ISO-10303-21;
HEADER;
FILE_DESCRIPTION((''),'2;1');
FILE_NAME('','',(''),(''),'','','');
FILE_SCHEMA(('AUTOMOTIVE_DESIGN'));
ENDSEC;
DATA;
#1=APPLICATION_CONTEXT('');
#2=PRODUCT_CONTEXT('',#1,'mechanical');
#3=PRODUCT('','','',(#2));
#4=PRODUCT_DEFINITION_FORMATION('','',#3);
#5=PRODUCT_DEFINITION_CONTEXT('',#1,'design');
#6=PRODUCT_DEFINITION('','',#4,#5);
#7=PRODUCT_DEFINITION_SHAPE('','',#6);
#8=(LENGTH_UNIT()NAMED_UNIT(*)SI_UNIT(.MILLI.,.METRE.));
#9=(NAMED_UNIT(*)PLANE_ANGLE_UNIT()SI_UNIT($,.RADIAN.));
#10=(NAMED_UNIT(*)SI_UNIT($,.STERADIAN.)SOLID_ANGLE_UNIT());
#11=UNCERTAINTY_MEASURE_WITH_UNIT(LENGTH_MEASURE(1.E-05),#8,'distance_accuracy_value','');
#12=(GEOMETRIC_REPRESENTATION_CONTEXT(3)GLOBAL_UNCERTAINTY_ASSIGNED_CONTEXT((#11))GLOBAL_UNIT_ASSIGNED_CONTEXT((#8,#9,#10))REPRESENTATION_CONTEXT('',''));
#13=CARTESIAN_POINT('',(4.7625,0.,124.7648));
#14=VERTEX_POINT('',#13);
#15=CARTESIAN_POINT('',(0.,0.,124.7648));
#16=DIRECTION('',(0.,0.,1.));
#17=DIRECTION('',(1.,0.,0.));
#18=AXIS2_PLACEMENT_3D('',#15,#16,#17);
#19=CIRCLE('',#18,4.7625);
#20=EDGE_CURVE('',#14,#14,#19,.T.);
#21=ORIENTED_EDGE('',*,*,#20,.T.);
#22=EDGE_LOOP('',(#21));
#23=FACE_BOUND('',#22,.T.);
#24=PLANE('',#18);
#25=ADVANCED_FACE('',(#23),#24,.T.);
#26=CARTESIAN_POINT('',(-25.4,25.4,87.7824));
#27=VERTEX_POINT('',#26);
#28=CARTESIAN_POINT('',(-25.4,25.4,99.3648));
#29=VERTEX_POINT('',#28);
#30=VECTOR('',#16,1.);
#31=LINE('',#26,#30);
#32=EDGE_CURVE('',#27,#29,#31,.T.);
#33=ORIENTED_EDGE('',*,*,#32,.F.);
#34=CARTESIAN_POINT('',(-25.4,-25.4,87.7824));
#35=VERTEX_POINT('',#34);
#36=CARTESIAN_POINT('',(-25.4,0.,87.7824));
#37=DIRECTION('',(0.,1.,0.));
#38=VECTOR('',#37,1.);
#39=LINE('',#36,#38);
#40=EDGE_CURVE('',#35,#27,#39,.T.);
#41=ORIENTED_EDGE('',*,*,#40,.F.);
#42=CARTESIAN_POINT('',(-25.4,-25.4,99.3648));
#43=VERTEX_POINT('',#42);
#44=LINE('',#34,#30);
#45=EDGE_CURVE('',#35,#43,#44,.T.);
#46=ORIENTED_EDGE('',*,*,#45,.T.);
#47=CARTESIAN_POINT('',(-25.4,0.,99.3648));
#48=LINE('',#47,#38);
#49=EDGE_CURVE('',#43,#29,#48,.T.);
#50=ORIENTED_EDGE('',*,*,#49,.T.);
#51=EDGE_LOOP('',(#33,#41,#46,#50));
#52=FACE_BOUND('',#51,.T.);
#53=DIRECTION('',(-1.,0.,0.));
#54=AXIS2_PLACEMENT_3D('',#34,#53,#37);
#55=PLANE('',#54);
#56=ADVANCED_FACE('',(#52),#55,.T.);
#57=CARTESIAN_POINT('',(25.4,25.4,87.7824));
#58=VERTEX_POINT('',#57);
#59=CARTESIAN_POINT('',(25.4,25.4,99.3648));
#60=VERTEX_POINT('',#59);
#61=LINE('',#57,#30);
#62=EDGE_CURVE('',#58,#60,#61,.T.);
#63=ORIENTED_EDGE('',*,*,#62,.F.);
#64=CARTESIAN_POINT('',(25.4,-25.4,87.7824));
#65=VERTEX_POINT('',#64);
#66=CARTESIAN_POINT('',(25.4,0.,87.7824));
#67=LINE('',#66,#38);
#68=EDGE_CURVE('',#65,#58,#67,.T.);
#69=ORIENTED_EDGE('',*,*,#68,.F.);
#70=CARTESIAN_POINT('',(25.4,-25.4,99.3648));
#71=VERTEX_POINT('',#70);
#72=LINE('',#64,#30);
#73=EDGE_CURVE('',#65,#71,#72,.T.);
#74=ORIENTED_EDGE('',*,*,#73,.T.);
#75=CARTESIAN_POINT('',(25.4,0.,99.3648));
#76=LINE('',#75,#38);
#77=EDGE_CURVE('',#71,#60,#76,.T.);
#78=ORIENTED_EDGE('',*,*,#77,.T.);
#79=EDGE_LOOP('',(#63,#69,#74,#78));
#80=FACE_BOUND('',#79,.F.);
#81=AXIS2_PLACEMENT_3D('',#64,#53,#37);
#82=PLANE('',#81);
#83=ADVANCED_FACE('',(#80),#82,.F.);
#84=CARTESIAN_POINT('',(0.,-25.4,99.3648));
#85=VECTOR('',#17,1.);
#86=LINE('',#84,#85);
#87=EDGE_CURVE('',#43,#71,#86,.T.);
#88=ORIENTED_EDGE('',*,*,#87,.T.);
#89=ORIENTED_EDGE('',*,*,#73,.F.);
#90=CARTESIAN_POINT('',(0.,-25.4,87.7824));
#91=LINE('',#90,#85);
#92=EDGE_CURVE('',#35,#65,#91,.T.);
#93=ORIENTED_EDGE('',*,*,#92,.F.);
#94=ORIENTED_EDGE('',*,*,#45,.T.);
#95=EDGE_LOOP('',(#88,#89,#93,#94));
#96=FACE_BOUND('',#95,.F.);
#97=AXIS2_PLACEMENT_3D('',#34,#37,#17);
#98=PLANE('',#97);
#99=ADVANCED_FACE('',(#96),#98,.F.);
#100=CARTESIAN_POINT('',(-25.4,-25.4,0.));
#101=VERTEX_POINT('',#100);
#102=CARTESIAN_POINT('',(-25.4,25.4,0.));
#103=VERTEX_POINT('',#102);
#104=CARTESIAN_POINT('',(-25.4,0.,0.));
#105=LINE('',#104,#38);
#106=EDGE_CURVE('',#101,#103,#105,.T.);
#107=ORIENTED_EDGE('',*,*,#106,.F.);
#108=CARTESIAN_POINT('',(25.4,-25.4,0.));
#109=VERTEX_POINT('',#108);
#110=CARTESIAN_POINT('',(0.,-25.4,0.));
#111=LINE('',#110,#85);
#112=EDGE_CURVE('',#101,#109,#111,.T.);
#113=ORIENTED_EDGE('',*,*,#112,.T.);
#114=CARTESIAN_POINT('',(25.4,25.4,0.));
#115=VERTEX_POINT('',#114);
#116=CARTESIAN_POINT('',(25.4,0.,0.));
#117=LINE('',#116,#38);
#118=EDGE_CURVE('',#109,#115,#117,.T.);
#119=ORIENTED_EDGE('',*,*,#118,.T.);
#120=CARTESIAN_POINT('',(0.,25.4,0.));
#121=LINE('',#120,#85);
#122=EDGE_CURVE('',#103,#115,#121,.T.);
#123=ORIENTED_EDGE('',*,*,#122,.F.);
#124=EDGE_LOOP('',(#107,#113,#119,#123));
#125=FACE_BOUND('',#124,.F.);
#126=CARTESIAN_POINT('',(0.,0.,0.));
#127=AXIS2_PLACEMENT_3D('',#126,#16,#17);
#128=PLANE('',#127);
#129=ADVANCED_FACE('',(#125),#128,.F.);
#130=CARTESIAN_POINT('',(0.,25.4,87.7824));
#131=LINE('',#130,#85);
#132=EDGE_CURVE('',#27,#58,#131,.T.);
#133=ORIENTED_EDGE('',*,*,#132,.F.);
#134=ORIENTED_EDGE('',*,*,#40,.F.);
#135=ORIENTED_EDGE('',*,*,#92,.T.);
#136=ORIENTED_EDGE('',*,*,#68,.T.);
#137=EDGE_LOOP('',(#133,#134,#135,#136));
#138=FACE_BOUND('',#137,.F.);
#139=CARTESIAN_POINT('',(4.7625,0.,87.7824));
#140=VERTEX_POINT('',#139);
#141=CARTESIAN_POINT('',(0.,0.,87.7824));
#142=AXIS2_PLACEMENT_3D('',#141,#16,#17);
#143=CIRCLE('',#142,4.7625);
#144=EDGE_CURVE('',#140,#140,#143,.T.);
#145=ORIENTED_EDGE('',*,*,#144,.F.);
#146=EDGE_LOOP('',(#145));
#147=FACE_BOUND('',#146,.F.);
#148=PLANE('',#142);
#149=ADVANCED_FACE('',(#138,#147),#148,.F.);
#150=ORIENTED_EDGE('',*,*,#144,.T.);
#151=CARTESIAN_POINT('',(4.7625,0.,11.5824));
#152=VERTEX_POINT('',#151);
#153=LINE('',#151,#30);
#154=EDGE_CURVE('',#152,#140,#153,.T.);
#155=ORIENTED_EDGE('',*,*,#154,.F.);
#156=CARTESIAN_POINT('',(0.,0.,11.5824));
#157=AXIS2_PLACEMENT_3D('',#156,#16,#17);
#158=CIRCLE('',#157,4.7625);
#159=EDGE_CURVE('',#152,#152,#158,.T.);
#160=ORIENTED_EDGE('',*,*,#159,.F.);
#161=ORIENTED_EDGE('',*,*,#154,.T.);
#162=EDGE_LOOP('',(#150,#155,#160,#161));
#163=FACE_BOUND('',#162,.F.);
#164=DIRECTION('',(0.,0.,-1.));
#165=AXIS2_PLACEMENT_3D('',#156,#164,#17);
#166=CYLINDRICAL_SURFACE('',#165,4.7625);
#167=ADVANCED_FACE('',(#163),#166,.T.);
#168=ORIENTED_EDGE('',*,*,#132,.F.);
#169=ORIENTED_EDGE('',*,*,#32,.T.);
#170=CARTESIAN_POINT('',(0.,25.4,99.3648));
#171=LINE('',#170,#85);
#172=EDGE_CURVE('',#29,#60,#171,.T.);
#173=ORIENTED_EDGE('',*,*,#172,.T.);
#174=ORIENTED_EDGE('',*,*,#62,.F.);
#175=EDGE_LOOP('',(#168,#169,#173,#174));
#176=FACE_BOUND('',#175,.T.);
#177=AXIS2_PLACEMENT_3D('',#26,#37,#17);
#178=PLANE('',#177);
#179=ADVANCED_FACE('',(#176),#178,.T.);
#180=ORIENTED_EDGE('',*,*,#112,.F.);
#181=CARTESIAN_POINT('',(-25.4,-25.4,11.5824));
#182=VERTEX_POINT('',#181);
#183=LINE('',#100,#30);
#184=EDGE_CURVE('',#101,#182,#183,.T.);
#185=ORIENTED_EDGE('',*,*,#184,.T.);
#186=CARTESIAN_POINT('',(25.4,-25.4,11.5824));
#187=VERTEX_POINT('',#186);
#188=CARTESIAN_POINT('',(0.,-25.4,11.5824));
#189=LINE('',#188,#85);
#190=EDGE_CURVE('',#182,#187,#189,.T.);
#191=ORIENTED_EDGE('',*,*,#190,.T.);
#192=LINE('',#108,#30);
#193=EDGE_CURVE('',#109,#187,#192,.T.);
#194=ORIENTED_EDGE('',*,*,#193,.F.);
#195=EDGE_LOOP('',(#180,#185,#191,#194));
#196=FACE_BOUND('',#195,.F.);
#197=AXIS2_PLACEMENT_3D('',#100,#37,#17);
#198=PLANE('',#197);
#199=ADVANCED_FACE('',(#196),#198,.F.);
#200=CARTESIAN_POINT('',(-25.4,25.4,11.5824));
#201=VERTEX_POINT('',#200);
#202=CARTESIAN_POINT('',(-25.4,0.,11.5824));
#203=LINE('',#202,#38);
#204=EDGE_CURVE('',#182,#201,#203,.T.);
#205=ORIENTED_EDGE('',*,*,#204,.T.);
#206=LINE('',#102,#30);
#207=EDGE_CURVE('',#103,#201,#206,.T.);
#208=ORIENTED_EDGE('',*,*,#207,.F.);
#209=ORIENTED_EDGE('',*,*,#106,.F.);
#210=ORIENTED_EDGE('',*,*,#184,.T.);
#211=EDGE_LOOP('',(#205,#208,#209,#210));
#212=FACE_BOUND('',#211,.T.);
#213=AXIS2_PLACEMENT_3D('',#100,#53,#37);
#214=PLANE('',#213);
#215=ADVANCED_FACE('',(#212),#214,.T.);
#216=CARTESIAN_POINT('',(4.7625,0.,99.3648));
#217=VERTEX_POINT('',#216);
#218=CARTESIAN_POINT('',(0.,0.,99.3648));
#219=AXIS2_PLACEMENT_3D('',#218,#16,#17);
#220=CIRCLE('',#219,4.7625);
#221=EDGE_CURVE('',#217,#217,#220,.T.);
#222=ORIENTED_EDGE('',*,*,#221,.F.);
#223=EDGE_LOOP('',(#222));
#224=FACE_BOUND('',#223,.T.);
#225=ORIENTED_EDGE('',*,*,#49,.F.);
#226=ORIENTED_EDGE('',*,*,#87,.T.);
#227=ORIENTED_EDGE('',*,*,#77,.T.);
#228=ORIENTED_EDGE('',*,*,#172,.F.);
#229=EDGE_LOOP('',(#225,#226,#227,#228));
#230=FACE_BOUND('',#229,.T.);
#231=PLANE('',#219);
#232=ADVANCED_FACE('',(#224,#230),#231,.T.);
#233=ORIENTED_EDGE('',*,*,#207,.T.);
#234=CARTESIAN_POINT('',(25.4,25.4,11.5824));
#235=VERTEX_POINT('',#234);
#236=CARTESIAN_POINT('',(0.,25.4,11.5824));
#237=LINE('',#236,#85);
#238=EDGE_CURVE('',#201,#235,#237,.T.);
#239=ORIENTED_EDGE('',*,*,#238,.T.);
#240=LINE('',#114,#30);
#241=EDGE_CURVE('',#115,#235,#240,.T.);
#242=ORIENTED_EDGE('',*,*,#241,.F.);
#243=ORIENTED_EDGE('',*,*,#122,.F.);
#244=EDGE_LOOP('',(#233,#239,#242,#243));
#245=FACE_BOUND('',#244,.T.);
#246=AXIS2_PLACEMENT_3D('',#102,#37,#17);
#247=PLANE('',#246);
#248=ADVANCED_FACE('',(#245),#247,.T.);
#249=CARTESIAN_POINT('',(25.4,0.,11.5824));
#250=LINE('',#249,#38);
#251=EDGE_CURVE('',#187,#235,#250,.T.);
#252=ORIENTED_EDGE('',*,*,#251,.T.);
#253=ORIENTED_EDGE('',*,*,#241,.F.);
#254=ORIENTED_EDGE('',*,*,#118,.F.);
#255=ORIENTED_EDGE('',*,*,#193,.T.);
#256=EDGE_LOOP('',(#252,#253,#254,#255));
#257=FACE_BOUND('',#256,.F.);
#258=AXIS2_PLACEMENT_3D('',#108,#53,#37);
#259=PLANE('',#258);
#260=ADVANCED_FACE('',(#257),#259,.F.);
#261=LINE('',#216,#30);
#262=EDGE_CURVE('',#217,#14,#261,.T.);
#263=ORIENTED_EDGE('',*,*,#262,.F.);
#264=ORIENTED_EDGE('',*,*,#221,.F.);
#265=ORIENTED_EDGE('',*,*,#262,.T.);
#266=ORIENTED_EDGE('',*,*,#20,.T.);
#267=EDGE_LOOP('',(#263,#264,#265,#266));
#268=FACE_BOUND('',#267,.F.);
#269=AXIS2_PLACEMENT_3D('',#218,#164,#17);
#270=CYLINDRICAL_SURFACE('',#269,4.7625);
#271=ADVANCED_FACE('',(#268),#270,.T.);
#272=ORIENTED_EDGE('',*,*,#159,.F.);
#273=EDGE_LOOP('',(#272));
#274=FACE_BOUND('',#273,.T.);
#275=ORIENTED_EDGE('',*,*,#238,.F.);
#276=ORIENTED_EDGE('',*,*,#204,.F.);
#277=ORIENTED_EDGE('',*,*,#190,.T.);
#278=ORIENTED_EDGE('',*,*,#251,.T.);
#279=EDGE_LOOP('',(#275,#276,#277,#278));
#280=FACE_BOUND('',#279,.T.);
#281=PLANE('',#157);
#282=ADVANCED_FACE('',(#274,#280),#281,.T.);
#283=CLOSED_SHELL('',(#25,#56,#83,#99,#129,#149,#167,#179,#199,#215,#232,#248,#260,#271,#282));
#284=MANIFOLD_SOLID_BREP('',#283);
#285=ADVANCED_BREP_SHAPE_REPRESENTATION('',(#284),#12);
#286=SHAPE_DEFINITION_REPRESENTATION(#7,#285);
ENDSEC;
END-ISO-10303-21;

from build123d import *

# Parameters (mm, degrees)
F0_W     = 50.8
F0_H     = 50.8
F1_DEPTH = 11.5824
F2_R     = 4.7625
F3_DEPTH = 76.2
F4_W     = 50.8
F4_H     = 50.8
F4_R     = 4.7625
F5_DEPTH = 11.5824
F6_R     = 4.7625
F7_DEPTH = 25.4


with BuildPart() as f1:
    # F0 (on Top) → F1 (new body)
    with BuildSketch(Plane.XY):
        Rectangle(F0_W, F0_H)
    extrude(amount=F1_DEPTH)

    # F2 (on face) → F3 (join)
    with BuildSketch(Plane.XY.offset(11.5824)):
        Circle(F2_R)
    extrude(amount=F3_DEPTH)

    # F4 (on face) → F5 (join)
    with BuildSketch(Plane.XY.offset(87.7824)):
        Rectangle(F4_W, F4_H)
        Circle(F4_R, mode=Mode.SUBTRACT)
        Circle(F4_R)
    extrude(amount=F5_DEPTH)

    # F6 (on face) → F7 (join)
    with BuildSketch(Plane.XY.offset(99.3648)):
        Circle(F6_R)
    extrude(amount=F7_DEPTH)


solid = f1.part
